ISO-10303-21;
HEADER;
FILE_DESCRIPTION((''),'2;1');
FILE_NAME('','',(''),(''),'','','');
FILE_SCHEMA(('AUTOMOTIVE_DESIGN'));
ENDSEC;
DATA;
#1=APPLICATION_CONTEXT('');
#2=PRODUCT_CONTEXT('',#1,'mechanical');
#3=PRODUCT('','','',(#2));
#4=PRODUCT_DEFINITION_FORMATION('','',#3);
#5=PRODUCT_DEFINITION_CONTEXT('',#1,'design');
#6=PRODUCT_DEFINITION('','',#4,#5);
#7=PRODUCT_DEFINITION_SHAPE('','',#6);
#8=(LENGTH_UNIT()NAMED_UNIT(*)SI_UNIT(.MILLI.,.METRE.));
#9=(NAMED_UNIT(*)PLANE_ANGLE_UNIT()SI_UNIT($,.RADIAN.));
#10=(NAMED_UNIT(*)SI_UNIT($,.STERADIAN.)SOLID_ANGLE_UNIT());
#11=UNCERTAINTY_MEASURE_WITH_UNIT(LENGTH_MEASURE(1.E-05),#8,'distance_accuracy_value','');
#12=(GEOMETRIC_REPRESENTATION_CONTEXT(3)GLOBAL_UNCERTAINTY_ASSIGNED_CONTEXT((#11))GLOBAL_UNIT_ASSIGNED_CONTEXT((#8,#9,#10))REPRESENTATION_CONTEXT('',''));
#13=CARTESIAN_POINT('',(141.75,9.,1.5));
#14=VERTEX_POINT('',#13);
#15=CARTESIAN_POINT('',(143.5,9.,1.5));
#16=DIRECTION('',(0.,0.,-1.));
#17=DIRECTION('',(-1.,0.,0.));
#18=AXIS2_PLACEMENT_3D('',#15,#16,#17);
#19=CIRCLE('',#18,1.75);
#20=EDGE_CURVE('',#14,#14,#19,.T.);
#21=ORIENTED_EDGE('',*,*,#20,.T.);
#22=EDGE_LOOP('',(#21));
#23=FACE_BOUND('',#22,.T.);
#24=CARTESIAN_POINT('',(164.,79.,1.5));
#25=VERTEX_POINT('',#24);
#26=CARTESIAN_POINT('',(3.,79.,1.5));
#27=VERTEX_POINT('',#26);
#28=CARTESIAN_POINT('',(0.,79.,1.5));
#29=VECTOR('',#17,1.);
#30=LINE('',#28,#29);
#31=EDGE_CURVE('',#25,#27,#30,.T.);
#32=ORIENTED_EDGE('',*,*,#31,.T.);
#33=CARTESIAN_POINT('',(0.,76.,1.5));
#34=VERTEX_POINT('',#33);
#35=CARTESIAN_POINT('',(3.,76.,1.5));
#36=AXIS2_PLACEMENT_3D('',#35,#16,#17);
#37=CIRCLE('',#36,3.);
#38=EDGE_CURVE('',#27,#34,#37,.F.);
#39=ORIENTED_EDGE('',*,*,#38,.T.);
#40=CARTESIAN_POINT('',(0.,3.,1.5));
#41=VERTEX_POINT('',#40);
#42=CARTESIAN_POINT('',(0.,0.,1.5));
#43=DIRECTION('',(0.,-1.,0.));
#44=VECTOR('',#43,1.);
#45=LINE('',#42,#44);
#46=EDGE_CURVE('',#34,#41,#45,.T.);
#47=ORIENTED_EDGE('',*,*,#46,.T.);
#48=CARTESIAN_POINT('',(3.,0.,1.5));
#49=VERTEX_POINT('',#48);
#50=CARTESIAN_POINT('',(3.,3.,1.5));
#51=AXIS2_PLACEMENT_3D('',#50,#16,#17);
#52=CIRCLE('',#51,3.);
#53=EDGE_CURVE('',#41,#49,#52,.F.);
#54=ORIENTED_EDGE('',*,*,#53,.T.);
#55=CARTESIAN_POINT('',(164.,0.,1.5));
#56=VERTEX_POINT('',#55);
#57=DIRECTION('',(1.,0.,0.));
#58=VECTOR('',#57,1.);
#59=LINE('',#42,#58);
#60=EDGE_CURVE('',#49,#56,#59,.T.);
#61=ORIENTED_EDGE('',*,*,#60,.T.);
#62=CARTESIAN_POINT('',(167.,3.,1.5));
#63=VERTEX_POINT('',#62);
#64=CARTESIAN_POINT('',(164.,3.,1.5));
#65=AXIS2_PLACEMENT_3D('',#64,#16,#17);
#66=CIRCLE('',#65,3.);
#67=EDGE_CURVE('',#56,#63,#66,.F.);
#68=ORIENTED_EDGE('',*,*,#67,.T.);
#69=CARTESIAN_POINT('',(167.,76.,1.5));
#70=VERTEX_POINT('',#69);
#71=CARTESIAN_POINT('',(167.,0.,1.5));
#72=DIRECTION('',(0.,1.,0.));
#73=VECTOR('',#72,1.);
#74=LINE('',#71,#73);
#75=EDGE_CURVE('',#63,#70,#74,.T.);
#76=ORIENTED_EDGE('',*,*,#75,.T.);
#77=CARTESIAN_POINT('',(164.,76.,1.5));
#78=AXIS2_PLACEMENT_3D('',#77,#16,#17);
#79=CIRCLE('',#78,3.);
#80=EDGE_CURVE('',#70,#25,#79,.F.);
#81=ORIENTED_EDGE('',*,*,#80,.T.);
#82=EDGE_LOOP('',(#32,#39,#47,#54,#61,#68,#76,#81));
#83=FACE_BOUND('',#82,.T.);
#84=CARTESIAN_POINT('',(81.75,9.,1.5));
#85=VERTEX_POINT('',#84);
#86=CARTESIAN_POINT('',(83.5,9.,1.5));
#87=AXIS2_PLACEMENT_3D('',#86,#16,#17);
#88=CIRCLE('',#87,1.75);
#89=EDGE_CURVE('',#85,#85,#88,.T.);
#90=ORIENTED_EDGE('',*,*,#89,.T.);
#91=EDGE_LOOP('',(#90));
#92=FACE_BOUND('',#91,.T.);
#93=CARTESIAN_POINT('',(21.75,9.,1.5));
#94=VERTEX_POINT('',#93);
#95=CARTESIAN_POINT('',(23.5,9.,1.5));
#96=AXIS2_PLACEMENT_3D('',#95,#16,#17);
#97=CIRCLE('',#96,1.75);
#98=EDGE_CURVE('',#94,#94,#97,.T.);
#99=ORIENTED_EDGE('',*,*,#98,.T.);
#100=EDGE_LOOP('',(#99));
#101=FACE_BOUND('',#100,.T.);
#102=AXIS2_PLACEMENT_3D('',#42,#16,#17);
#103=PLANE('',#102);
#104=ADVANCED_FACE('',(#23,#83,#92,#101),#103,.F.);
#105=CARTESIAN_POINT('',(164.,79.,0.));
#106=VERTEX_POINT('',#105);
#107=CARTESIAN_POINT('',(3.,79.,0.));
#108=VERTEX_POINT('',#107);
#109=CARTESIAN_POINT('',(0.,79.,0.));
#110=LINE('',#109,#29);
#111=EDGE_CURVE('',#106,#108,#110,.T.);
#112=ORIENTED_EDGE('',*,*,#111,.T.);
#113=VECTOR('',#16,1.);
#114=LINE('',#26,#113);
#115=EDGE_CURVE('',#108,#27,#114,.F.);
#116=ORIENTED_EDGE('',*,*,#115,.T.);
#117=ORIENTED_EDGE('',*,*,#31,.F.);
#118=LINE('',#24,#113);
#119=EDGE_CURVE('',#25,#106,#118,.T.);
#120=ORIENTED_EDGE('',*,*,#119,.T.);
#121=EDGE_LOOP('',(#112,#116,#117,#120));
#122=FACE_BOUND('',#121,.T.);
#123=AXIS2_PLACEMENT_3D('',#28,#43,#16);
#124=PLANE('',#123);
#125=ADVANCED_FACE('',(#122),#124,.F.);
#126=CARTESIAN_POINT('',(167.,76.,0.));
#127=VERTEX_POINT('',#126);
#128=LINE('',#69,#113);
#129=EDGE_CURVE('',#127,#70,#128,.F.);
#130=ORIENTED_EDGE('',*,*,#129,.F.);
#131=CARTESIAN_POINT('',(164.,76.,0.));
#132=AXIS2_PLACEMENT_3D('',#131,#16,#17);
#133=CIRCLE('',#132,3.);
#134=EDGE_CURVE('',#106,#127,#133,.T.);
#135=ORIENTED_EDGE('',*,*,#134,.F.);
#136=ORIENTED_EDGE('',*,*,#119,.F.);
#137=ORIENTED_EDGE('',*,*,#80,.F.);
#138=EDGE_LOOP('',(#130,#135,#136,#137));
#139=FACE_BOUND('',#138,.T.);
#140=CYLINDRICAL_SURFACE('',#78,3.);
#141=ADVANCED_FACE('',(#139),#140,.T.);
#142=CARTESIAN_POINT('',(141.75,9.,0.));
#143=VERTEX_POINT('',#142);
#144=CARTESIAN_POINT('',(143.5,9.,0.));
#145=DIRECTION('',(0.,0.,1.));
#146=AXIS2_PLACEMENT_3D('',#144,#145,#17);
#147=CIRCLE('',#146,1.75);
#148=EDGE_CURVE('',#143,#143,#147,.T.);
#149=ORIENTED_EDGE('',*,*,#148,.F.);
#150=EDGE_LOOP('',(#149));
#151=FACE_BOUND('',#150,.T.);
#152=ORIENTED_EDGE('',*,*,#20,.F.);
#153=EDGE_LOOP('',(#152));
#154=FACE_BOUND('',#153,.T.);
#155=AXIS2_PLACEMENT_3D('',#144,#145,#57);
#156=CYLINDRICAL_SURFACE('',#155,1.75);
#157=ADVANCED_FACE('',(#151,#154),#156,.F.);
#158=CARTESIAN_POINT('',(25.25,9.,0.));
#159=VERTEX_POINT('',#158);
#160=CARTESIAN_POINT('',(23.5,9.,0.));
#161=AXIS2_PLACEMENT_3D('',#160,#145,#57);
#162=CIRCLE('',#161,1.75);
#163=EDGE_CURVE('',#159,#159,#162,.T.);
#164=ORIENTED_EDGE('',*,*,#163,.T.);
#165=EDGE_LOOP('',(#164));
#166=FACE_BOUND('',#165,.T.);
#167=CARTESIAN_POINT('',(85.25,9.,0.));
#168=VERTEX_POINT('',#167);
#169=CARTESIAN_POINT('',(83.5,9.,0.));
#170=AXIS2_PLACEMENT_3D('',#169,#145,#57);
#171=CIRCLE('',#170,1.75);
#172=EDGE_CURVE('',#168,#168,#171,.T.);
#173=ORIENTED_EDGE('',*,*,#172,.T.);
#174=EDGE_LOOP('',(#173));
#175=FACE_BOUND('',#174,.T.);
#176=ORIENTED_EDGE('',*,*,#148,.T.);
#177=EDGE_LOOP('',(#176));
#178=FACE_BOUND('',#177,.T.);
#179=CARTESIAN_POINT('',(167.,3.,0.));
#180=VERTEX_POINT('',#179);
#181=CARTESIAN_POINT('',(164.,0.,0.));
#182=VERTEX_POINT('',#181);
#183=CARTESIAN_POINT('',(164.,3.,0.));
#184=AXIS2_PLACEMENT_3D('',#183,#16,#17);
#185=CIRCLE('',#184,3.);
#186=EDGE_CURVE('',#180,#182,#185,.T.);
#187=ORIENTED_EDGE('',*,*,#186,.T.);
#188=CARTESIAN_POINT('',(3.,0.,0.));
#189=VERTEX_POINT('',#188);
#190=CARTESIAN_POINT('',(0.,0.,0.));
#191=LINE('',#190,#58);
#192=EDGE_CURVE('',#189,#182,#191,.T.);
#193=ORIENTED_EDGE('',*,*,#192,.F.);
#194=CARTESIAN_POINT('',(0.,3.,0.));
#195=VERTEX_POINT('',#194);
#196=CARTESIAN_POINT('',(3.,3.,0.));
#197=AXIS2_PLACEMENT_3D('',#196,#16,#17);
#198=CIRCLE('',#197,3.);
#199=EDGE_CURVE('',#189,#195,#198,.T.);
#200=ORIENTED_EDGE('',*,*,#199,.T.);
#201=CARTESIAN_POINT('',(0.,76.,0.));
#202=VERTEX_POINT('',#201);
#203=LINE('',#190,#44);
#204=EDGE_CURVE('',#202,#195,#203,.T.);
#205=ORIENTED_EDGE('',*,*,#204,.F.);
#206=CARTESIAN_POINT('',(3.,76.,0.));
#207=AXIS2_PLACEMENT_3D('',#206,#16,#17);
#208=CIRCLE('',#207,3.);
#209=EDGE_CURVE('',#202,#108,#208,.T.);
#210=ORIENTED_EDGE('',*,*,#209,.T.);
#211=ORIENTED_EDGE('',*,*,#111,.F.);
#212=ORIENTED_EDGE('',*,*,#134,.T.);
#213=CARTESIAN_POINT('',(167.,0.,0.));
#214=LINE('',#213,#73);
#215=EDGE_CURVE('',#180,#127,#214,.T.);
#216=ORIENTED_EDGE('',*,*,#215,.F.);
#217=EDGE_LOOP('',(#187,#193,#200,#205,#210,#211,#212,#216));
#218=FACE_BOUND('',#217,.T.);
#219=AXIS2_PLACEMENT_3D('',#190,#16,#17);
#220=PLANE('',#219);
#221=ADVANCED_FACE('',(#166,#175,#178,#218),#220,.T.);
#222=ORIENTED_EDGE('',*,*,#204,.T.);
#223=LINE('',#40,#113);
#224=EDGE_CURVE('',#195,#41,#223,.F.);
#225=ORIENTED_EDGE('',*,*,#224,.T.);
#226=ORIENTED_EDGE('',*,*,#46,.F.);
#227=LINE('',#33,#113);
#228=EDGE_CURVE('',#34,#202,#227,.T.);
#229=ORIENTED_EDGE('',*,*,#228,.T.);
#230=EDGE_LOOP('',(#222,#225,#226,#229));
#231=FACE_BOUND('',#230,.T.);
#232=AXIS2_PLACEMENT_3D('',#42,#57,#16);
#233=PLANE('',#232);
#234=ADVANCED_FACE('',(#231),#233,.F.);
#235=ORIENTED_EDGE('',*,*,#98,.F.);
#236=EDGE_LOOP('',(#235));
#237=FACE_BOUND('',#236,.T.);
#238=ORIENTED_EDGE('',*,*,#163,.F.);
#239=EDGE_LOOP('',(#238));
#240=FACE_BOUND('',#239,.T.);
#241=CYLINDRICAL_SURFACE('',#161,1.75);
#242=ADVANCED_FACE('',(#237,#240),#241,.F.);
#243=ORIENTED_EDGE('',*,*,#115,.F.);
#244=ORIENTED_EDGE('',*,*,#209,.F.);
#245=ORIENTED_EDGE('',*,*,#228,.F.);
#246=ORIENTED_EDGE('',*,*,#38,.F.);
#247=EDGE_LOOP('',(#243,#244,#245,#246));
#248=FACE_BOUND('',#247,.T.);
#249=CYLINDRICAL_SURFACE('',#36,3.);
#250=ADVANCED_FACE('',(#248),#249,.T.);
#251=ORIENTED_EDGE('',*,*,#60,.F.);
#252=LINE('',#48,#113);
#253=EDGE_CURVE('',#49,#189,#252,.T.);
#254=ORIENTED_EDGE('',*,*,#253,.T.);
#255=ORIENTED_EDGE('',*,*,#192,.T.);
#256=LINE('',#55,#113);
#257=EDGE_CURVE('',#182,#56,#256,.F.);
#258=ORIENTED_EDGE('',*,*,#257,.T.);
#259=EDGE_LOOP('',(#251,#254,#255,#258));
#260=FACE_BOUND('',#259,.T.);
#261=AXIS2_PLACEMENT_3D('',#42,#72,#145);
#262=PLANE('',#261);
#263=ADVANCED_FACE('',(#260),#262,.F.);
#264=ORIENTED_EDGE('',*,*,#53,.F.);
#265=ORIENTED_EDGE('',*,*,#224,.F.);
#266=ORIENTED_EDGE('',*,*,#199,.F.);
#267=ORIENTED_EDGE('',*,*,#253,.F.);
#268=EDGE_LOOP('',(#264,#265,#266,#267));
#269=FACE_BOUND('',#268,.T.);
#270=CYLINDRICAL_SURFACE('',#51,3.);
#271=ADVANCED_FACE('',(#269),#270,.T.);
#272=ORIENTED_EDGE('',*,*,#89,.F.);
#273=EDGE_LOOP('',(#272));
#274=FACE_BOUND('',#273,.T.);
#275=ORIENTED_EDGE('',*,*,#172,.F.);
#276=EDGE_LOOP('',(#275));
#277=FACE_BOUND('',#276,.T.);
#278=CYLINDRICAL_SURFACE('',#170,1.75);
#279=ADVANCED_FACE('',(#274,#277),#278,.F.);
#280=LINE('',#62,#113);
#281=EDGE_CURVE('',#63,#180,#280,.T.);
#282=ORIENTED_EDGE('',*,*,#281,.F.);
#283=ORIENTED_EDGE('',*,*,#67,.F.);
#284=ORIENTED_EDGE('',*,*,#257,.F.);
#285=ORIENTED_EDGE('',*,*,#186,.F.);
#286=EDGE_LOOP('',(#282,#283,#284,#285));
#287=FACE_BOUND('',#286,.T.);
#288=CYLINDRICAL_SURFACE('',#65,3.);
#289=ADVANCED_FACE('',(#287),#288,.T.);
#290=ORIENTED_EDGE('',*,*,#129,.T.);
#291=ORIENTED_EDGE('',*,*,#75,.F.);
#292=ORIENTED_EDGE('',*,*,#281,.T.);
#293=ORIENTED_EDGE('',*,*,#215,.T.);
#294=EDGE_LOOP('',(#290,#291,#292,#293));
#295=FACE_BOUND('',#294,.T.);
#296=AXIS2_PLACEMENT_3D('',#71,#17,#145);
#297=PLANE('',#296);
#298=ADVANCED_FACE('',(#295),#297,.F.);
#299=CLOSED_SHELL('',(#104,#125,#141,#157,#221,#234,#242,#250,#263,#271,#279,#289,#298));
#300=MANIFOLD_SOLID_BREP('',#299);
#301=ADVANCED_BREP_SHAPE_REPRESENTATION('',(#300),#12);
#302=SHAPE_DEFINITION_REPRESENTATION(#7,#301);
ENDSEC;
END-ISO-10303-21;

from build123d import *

# Parameters (mm, degrees)
ESQUISSE1_W                  = 167
ESQUISSE1_H                  = 79
BOSS_EXTRU_1_DEPTH           = 1.5
CONG_1_R                     = 3
ESQUISSE2_R                  = 1.75
ENL_V_MAT_EXTRU_1_DEPTH      = 1
ENL_V_MAT_EXTRU_1_DEPTH_BACK = 2.5


with BuildPart() as part:
    # Esquisse1 → Boss.-Extru.1 (new body)
    with BuildSketch(Plane.XY):
        with Locations((83.5, 39.5)):
            Rectangle(ESQUISSE1_W, ESQUISSE1_H)
    extrude(amount=BOSS_EXTRU_1_DEPTH)

    # Congé1
    cong_1_edges = [part.edges().sort_by_distance(p)[0] for p in [
        (0, 79, 0.75),
        (167, 79, 0.75),
        (167, 0, 0.75),
        (0, 0, 0.75),
    ]]
    fillet(cong_1_edges, radius=CONG_1_R)

    # Esquisse2 → Enlèv. mat.-Extru.1 (cut, two sides)
    with BuildSketch(Plane.XY.offset(1.5)) as enl_v_mat_extru_1_sk:
        with Locations((23.5, 9)):
            Circle(ESQUISSE2_R)
        with Locations((83.5, 9)):
            Circle(ESQUISSE2_R)
        with Locations((143.5, 9)):
            Circle(ESQUISSE2_R)
    extrude(amount=ENL_V_MAT_EXTRU_1_DEPTH, mode=Mode.SUBTRACT)
    extrude(enl_v_mat_extru_1_sk.sketch, amount=-ENL_V_MAT_EXTRU_1_DEPTH_BACK, mode=Mode.SUBTRACT)


solid = part.part
